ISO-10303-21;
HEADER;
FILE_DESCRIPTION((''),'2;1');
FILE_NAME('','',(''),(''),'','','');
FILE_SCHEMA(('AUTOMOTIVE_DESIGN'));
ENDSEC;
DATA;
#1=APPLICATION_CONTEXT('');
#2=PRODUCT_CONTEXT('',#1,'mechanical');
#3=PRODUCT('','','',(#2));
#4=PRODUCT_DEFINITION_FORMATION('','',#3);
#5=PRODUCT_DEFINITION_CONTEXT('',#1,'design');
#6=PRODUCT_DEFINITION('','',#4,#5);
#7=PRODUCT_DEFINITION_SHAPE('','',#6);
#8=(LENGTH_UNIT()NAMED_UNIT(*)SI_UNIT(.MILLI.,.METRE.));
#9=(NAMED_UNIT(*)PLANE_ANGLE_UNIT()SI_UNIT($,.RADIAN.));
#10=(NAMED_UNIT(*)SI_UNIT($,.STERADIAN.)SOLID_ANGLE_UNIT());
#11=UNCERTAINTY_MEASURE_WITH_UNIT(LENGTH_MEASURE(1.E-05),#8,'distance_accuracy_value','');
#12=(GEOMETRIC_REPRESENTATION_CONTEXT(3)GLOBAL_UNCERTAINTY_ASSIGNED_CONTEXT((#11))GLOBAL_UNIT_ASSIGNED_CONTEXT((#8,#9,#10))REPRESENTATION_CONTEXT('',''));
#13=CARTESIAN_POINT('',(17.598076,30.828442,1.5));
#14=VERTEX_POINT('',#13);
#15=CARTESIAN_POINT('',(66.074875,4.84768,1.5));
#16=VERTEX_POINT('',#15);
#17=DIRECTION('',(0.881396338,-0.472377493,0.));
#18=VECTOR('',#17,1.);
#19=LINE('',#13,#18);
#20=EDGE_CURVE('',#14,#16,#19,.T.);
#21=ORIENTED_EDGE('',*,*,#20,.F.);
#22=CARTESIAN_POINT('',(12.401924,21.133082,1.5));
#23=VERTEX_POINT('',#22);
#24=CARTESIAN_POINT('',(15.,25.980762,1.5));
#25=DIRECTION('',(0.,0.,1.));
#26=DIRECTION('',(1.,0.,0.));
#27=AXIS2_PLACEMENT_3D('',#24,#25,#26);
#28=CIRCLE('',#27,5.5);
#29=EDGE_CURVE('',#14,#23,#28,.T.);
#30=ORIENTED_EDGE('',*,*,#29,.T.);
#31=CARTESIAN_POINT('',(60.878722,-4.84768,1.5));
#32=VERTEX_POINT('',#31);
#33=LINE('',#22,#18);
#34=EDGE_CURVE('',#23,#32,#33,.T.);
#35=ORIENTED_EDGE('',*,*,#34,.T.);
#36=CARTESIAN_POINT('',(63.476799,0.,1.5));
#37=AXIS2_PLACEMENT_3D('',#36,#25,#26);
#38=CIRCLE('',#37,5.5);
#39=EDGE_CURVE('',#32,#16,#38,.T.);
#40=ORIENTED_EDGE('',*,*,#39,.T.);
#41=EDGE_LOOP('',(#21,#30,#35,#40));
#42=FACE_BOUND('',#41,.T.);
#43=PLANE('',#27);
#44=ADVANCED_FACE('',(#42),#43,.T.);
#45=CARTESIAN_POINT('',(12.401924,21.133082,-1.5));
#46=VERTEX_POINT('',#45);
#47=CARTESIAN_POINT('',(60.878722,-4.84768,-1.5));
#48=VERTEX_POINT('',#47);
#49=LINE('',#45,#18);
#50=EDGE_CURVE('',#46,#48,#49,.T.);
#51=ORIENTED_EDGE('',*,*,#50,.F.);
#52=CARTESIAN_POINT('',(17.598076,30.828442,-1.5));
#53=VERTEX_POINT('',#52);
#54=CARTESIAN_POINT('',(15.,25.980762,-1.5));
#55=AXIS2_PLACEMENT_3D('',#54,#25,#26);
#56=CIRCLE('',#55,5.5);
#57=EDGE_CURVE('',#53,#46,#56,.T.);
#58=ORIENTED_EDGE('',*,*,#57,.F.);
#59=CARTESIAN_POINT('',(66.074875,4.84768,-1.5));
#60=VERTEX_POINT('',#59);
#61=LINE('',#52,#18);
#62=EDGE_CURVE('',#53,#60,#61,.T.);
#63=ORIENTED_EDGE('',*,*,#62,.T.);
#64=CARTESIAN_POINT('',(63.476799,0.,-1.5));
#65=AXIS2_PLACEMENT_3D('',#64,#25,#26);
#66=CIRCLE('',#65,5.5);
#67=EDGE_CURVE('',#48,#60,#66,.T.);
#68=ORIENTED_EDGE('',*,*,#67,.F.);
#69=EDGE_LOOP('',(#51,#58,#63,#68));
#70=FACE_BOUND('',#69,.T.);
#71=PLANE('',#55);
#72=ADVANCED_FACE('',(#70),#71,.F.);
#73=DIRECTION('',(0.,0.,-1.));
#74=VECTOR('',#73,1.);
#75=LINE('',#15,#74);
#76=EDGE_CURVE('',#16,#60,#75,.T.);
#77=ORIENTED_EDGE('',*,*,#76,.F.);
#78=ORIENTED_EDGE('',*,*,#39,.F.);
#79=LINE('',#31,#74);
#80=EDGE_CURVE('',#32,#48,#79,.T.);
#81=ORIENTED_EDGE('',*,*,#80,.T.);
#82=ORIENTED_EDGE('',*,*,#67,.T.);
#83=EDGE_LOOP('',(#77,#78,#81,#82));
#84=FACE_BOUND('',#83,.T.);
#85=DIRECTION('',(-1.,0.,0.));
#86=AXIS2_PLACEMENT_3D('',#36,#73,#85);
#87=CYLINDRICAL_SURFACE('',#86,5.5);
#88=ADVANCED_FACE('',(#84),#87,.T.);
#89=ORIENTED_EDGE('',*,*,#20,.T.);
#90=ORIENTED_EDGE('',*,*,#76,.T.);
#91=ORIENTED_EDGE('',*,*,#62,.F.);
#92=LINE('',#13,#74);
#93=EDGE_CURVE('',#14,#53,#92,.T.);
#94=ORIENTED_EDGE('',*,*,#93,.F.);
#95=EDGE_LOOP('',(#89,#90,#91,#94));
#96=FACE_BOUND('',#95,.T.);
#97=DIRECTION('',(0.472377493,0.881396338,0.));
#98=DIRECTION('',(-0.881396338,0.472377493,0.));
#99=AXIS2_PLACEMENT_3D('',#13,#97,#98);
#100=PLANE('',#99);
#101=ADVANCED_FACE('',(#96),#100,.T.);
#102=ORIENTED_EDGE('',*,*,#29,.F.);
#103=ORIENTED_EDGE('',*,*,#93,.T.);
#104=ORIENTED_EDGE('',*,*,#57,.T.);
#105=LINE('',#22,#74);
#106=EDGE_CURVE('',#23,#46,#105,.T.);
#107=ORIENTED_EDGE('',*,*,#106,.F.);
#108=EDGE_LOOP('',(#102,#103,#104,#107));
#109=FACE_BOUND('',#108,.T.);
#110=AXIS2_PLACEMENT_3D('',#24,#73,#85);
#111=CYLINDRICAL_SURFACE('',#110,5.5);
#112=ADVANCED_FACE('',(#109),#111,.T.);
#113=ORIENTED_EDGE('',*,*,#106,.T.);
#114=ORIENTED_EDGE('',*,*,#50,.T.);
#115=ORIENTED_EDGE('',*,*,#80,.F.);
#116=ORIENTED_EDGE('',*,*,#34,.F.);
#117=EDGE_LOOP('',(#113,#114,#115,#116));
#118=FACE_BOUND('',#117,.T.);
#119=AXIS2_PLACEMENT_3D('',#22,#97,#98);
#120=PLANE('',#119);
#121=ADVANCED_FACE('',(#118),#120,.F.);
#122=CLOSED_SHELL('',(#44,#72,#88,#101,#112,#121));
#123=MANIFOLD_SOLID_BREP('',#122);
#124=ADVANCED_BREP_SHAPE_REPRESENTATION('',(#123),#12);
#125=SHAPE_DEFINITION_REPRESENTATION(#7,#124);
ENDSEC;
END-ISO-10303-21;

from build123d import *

# Parameters (mm, degrees)
BOSS_EXTRUDE1_DEPTH = 1.5


with BuildPart() as part:
    # Sketch1-Link1<3> → Boss-Extrude1 (new, symmetric)
    with BuildSketch(Plane.XY):
        with BuildLine():
            Line((17.598076211, 30.828441971), (66.074874786, 4.847679857))
            ThreePointArc((66.074874786, 4.847679857), (68.324478432, -2.598076211), (60.878722363, -4.847679857))
            Line((60.878722363, -4.847679857), (12.401923789, 21.133082256))
            ThreePointArc((12.401923789, 21.133082256), (10.152320143, 28.578838325), (17.598076211, 30.828441971))
        make_face()
    extrude(amount=BOSS_EXTRUDE1_DEPTH, both=True)


solid = part.part
